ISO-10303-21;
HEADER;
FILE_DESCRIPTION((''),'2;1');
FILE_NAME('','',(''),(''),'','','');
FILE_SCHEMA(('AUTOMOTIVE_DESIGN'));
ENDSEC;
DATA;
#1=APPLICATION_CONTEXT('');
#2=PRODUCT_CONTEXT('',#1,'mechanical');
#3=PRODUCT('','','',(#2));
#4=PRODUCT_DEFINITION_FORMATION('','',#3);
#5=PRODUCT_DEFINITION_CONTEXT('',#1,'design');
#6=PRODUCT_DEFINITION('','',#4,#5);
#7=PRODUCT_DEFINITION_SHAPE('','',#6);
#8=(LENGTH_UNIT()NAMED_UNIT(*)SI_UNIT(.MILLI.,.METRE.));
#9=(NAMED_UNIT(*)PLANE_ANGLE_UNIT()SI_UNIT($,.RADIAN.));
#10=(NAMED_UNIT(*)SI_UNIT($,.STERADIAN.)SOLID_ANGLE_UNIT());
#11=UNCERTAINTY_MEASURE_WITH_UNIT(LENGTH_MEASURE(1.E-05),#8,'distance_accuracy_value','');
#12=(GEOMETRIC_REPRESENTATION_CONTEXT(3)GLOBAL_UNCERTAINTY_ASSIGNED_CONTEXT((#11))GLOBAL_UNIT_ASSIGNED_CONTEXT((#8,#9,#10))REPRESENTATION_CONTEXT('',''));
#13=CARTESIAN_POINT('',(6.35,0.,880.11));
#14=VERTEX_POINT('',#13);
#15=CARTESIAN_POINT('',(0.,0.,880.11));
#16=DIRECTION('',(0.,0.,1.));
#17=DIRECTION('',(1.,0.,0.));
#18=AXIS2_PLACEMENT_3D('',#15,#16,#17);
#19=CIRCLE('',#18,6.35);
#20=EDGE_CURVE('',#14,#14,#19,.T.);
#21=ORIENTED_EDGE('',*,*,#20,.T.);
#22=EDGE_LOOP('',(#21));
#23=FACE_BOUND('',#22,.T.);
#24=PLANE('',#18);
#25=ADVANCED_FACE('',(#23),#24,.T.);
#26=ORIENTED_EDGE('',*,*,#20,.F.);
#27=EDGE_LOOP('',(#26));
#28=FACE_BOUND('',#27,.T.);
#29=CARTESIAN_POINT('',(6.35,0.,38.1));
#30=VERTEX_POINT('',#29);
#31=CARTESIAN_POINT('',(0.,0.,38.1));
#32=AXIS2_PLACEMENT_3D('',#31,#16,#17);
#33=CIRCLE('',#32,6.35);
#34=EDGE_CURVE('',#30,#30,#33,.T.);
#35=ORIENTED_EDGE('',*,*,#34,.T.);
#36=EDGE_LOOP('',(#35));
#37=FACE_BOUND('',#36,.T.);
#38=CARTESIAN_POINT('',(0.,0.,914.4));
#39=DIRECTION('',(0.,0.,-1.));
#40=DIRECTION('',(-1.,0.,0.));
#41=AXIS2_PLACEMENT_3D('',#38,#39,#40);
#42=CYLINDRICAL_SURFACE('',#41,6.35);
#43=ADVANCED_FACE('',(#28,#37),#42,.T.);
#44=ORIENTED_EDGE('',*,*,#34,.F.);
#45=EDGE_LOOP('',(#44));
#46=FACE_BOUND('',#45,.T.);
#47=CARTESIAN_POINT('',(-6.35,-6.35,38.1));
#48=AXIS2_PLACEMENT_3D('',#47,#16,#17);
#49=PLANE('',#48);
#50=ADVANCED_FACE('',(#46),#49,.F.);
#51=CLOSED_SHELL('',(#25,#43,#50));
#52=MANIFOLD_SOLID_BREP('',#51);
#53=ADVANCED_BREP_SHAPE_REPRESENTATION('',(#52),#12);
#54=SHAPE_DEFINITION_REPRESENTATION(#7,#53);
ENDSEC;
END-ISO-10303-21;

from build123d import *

# Parameters (mm, degrees)
SKETCH1_R                    = 6.35
BOSS_EXTRUDE1_DEPTH          = 914.4
ENL_V_START                  = -34.29
ESQUISSE1_R                  = 6.35
ENL_V_MAT_EXTRU_1_DEPTH      = 34.29
ENL_V_MAT_EXTRU_3_DEPTH      = 881.155814103
ENL_V_MAT_EXTRU_3_DEPTH_BACK = 881.155814103
ESQUISSE3_W                  = 12.7
ESQUISSE3_H                  = 38.1


with BuildPart() as part:
    # Sketch1 → Boss-Extrude1 (new body)
    with BuildSketch(Plane.XY):
        Circle(SKETCH1_R)
    extrude(amount=BOSS_EXTRUDE1_DEPTH)

    # Esquisse1 → Enlèv. mat.-Extru.1 (cut)
    with BuildSketch(Plane.XY.offset(914.4).offset(ENL_V_START)):
        Circle(ESQUISSE1_R)
    extrude(amount=ENL_V_MAT_EXTRU_1_DEPTH, mode=Mode.SUBTRACT)

    # Esquisse3 → Enlèv. mat.-Extru.3 (cut, two sides: drawn at the far end of the back side and taken through both)
    with BuildSketch(Plane(origin=(0, 0, 0), x_dir=(1, 0, 0), z_dir=(0, 1, 0)).offset(-ENL_V_MAT_EXTRU_3_DEPTH_BACK)):
        with Locations((0, -19.05)):
            Rectangle(ESQUISSE3_W, ESQUISSE3_H)
    extrude(amount=ENL_V_MAT_EXTRU_3_DEPTH + ENL_V_MAT_EXTRU_3_DEPTH_BACK, mode=Mode.SUBTRACT)


solid = part.part
